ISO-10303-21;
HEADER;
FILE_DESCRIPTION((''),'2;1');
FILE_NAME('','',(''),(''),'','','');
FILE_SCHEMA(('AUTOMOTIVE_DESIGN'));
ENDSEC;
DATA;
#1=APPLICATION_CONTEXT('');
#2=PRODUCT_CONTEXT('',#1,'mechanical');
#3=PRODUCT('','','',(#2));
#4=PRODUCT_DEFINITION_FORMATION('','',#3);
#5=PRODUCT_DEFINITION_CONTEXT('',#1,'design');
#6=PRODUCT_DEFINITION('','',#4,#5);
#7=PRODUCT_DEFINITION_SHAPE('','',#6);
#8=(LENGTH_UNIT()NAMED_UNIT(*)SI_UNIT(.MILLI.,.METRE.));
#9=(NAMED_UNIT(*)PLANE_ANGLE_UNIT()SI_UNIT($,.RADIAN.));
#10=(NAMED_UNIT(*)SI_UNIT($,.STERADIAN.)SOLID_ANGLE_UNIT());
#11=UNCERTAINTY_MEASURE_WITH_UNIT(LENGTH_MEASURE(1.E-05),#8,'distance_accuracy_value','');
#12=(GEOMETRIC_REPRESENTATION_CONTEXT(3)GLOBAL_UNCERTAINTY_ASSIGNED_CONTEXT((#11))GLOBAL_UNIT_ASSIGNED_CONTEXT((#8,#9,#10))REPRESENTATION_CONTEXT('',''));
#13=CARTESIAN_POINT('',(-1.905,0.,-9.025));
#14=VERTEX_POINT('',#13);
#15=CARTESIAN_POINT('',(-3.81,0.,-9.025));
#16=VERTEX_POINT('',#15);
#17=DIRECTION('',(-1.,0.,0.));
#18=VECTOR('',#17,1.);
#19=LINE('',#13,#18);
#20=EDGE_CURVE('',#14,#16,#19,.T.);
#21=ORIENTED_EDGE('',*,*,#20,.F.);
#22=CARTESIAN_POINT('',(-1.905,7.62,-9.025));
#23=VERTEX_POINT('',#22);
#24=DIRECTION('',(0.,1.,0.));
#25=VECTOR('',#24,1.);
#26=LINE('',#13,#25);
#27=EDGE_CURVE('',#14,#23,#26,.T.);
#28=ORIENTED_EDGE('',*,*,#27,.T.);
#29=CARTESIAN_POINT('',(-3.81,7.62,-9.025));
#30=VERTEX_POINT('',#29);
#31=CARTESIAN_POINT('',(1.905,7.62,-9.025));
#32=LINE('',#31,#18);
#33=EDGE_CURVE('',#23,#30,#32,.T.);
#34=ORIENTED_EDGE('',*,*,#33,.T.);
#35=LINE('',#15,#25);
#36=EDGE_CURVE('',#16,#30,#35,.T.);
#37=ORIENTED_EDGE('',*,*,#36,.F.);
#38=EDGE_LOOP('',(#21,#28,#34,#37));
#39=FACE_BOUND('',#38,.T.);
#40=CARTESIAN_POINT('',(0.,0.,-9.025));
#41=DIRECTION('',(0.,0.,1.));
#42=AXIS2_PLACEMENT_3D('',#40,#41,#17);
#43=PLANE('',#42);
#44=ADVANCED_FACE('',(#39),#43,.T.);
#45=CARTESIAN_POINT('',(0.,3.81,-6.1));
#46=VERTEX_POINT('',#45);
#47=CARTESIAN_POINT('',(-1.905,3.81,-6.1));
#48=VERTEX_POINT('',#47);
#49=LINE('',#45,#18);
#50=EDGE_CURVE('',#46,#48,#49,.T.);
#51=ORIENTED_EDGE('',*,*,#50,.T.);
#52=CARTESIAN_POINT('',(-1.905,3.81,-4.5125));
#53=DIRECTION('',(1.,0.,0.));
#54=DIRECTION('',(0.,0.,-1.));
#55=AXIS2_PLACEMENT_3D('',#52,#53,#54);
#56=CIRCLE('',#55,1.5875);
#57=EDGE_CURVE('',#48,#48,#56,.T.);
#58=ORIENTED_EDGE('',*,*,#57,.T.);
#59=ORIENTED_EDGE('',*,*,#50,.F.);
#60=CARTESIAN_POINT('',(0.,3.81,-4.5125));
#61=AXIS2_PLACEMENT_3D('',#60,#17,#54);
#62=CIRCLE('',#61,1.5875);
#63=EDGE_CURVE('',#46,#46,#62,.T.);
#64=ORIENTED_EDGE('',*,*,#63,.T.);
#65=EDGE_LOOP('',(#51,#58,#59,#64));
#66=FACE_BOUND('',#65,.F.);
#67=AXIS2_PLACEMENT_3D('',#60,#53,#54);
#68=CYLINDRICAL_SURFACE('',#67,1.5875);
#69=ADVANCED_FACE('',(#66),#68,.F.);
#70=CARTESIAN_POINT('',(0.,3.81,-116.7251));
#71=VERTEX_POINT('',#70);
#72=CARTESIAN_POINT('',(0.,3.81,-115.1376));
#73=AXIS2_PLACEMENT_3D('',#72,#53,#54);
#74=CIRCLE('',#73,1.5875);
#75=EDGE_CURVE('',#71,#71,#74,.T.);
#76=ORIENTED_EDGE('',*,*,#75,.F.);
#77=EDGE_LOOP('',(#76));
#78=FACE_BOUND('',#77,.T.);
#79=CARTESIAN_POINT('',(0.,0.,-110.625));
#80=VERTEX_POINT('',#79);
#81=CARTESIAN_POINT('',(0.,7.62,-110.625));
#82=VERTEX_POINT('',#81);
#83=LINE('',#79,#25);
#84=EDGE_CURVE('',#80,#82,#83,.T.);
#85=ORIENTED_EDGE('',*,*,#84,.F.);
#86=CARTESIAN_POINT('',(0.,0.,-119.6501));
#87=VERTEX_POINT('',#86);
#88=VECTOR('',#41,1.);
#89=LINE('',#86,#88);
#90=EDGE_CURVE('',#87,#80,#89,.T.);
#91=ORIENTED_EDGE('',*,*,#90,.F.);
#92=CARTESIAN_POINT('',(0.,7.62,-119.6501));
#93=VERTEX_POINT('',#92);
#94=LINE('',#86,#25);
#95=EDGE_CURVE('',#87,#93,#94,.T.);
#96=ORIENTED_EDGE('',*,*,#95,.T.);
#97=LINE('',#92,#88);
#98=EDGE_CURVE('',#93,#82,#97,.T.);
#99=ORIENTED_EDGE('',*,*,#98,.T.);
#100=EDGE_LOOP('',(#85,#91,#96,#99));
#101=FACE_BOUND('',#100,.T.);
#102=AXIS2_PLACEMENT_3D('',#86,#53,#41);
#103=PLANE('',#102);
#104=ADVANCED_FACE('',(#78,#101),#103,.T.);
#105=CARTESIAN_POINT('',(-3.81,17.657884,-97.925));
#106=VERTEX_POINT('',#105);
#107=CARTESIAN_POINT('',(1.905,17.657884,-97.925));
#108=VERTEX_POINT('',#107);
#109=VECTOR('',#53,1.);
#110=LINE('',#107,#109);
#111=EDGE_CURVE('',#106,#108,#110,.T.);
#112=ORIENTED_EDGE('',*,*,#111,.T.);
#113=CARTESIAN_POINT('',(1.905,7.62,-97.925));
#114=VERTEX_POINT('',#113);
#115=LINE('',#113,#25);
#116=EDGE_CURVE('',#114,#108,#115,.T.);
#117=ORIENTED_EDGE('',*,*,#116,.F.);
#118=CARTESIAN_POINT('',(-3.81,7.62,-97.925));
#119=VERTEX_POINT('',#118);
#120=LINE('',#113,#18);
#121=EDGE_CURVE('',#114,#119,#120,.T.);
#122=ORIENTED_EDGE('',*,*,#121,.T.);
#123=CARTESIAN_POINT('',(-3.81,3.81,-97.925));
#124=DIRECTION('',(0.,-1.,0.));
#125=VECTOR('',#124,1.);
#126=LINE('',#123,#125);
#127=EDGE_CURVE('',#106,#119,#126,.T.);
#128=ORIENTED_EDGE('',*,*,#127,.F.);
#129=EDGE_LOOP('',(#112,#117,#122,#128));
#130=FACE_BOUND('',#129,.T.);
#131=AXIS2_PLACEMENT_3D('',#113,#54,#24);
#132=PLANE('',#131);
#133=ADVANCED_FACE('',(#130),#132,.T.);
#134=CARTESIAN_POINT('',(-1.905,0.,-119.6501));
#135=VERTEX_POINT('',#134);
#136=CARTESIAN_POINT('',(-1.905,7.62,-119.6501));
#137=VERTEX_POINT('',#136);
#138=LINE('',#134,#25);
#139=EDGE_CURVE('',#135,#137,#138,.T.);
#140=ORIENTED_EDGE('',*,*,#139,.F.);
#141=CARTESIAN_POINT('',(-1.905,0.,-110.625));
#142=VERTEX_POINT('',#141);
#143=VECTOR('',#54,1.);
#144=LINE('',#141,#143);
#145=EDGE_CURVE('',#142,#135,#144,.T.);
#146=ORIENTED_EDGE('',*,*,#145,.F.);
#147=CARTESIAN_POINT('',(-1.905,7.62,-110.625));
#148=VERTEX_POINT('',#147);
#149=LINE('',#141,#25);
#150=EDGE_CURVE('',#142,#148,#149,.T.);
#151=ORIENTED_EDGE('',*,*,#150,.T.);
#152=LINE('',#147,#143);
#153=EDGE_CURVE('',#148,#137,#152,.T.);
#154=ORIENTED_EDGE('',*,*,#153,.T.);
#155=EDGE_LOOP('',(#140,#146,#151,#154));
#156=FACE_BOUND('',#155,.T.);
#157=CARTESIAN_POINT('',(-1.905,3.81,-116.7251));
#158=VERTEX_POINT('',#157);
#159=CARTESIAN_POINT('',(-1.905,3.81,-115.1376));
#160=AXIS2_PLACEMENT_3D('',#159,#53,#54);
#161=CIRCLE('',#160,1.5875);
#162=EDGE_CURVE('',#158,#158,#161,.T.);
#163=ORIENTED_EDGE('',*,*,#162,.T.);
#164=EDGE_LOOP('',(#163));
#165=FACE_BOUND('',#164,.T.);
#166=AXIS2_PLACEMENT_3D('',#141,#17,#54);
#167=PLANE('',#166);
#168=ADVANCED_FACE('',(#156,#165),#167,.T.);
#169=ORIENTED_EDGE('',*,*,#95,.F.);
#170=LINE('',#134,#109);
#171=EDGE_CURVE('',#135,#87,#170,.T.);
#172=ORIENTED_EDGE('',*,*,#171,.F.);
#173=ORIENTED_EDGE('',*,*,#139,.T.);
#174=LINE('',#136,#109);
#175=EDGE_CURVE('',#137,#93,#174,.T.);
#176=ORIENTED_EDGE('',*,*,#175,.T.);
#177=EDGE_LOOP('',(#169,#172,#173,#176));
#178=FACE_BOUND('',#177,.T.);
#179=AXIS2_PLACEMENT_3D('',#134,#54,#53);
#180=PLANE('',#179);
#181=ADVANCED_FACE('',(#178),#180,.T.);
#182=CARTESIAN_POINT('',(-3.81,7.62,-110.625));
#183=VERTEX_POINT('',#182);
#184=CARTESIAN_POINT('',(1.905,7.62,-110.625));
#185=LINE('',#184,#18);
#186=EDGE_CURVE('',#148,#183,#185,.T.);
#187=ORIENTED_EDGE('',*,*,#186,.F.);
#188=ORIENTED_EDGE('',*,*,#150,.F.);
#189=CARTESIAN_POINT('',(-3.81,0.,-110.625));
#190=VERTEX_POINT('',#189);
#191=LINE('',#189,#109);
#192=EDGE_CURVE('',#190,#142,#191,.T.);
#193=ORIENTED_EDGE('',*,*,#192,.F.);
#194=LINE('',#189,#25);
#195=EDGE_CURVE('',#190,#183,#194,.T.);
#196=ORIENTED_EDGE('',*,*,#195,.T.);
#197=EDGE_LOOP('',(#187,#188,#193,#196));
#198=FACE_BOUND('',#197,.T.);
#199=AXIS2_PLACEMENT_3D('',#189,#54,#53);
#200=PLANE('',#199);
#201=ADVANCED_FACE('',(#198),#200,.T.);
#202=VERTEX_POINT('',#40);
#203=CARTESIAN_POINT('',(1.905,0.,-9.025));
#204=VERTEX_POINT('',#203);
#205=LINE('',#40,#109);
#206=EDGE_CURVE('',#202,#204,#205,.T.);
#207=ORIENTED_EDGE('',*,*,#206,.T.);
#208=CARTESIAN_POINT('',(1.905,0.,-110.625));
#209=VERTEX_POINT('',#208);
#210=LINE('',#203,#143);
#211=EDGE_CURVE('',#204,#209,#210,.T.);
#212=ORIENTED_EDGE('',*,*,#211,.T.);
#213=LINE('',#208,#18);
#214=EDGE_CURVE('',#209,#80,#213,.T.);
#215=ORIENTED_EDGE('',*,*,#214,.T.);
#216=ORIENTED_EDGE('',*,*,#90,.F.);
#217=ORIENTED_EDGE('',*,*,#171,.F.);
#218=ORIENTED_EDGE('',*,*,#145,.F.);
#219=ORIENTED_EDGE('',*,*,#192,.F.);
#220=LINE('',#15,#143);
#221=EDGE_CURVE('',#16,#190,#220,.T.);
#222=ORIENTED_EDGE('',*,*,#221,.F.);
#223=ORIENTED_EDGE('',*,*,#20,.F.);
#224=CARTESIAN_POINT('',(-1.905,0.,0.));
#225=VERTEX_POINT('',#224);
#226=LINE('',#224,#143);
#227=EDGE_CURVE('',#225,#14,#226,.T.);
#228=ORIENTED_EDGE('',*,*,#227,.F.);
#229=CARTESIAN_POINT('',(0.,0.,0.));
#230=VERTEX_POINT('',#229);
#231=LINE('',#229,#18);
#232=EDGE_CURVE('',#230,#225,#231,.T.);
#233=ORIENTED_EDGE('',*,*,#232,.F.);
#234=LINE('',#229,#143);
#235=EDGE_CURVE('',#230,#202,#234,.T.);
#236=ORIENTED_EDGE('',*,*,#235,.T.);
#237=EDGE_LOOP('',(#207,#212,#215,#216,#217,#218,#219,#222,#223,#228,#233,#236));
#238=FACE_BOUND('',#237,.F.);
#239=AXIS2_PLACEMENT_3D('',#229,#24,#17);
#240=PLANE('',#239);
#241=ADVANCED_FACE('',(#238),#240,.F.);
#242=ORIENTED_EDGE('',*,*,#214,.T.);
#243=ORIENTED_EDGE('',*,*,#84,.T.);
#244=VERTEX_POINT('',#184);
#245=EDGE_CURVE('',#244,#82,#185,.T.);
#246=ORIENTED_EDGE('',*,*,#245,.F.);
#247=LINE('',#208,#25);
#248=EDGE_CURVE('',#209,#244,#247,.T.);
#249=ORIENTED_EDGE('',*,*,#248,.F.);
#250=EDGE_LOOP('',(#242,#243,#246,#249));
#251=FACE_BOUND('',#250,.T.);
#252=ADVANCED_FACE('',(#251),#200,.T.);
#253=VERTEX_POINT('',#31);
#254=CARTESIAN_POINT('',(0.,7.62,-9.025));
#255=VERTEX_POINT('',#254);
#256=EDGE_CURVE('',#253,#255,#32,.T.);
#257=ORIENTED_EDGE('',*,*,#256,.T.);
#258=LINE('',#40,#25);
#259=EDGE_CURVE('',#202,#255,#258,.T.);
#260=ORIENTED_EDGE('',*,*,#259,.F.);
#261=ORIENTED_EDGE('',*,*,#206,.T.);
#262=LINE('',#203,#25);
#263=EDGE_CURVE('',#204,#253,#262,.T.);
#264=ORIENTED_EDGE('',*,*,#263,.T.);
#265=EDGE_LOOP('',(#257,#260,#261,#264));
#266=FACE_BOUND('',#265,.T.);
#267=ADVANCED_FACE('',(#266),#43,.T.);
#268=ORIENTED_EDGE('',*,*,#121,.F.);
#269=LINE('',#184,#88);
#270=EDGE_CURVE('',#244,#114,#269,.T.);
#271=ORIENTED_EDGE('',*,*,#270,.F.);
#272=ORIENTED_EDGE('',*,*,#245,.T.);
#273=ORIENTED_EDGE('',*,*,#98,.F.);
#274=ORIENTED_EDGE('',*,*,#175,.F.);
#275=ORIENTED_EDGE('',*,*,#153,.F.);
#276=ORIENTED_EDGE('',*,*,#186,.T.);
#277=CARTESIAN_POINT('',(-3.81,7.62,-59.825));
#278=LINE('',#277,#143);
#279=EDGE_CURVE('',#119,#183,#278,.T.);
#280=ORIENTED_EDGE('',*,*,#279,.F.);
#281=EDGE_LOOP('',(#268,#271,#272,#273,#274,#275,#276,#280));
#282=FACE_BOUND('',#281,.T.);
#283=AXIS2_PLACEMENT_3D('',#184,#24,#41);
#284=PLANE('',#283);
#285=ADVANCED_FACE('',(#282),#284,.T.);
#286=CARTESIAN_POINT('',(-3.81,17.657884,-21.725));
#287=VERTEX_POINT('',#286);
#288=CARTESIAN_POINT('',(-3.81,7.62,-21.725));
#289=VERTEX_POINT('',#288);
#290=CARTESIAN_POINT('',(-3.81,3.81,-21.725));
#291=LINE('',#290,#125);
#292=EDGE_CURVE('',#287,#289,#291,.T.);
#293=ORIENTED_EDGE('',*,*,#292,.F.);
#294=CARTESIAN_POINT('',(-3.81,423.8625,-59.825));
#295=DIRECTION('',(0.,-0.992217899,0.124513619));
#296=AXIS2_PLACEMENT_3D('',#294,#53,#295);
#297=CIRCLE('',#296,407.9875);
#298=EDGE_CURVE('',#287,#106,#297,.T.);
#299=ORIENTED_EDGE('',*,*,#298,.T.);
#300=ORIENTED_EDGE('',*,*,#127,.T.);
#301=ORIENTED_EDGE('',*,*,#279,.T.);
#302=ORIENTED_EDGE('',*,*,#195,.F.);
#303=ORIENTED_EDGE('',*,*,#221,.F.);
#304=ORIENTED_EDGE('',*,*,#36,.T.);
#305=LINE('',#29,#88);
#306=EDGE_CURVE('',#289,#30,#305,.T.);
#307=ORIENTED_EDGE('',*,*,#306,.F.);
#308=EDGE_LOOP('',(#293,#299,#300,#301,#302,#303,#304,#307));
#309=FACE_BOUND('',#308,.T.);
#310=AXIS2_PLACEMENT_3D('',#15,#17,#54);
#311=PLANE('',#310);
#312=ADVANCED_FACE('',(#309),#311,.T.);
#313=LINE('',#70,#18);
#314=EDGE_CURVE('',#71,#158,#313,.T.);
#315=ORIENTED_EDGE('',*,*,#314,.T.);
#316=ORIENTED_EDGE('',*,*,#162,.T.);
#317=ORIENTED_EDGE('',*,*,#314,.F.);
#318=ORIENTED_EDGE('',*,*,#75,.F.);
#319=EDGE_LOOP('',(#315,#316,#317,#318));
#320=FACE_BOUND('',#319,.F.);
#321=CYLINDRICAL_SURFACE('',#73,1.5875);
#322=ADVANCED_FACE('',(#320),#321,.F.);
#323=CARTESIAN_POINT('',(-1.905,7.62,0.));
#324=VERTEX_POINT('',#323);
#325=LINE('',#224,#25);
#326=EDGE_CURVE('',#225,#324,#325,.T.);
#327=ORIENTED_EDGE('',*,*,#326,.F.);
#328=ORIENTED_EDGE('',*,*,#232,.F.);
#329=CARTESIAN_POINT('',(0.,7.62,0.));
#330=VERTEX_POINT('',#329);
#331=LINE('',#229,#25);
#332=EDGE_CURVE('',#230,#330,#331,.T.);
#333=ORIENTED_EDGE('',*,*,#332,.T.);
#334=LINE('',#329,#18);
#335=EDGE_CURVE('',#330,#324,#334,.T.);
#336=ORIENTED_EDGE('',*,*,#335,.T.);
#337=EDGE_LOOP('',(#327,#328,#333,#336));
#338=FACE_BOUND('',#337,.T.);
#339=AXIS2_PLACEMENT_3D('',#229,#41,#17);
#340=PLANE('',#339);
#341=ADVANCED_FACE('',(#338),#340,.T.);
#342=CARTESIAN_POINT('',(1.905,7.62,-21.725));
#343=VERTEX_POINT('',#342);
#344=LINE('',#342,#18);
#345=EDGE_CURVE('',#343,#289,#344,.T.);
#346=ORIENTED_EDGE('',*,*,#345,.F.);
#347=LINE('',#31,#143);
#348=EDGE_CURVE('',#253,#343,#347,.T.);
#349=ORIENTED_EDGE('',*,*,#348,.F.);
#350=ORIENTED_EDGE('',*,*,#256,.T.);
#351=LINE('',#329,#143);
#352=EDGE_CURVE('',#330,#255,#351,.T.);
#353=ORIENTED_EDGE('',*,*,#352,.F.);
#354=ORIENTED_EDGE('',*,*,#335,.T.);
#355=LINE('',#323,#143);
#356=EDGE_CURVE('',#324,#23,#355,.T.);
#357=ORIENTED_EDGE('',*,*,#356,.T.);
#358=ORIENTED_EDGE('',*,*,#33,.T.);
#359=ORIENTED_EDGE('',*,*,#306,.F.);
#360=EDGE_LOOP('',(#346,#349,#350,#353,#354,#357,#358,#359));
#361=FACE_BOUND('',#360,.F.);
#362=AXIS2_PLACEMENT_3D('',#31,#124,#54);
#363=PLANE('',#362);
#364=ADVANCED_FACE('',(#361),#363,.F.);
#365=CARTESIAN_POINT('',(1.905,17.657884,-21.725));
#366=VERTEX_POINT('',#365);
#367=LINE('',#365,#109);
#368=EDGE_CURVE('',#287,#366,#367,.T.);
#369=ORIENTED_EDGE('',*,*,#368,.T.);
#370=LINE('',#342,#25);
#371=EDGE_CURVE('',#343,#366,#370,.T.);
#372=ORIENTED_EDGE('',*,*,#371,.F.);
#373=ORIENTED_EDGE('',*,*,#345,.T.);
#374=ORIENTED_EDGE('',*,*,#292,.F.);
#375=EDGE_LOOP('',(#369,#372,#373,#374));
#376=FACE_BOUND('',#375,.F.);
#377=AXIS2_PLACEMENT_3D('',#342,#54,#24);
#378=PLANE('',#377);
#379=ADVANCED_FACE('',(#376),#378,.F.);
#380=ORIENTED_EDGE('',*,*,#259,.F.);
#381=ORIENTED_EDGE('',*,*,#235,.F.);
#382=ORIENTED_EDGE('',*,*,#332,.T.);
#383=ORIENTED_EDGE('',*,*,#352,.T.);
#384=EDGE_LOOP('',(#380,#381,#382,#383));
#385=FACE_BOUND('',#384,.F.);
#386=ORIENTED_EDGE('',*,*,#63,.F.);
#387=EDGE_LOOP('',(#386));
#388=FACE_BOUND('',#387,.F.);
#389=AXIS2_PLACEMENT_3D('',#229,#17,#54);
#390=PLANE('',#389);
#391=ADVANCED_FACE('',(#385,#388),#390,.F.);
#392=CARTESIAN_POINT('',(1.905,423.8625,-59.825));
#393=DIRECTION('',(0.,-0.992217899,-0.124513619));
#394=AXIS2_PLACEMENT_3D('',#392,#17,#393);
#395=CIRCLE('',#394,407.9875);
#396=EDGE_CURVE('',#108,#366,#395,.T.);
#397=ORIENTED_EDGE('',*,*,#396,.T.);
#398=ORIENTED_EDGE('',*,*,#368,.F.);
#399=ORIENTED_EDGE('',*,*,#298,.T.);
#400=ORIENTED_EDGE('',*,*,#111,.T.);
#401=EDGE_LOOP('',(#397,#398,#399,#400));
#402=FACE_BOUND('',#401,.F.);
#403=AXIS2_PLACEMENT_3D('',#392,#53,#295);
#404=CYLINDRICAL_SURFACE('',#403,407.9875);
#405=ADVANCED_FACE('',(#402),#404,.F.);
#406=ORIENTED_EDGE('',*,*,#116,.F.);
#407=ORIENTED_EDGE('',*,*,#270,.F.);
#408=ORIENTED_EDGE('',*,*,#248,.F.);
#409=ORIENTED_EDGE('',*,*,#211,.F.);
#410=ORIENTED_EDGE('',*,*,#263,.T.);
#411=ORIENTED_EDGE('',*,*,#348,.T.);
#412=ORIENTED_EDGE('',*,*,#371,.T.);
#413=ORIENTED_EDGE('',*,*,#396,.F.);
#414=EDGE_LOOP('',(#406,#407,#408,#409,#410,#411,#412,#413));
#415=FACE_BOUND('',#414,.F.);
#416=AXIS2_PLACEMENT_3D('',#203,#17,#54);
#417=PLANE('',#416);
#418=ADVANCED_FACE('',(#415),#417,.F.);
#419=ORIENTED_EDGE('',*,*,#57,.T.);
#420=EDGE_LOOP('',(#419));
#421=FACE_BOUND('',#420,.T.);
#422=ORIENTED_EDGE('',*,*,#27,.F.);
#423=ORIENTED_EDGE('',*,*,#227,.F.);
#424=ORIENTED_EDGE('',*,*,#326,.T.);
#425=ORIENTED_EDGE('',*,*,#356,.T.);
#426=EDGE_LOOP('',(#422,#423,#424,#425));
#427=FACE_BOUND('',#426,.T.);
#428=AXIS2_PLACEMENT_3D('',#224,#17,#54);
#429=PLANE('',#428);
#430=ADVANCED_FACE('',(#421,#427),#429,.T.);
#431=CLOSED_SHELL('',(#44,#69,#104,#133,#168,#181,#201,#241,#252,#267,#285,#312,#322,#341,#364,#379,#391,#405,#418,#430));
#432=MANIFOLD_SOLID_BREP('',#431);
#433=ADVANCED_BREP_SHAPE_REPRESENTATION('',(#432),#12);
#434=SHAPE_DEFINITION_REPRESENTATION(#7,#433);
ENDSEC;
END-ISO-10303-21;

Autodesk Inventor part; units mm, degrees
ref_plane "YZ Plane" through (0, 0, 0) normal (1, 0, 0) x (0, 1, 0)
ref_plane "XZ Plane" through (0, 0, 0) normal (0, 1, 0) x (-1, 0, 0)
ref_plane "XY Plane" through (0, 0, 0) normal (0, 0, 1) x (1, 0, 0)
sketch "Sketch1" plane through (0, 0, 0) normal (0, 1, 0) x (-1, 0, 0)
  line L0 (0, 0) -> (1.905, 0)
  line L1 (1.905, -119.6501) -> (0, -119.6501)
  line L2 (0, 0) -> (0, -9.025)
  line L3 (0, 0) -> (9.025, 0) construction
  line L4 (0, -9.025) -> (1.905, -9.025)
  line L5 (0, -119.6501) -> (0, -110.625)
  line L6 (0, -110.625) -> (1.905, -110.625)
  line L7 (1.905, -9.025) -> (3.81, -9.025)
  line L8 (3.81, -9.025) -> (3.81, -110.625)
  line L9 (3.81, -110.625) -> (1.905, -110.625)
  line L10 (0, -9.025) -> (-1.905, -9.025)
  line L11 (-1.905, -9.025) -> (-1.905, -110.625)
  line L12 (-1.905, -110.625) -> (0, -110.625)
  line L13 (1.905, 0) -> (1.905, -9.025)
  line L14 (1.905, -110.625) -> (1.905, -119.6501)
  line L15 (0, -119.6501) -> (0, -110.625)
  line L16 (0, -9.025) -> (0, 0)
  dimension "d19" = 101.6
  dimension "d20" = 1.905
  dimension "d21" = 1.905
  dimension "d22" = 1.905
  dimension "d23" = 1.905
  dimension "d24" = 1.905
  dimension "d25" = 1.905
extrude "Extrusion1" add sketch "Sketch1" along normal blind 7.62 contours L0 L13 L4 L2 | L6 L14 L1 L5
extrude "Extrusion2" add sketch "Sketch1" along normal blind 19.05 contours L4 L7 L8 L9 L6 L12 L11 L10
sketch "Sketch2" plane through (0, 0, 0) normal (1, 0, 0) x (0, 0, -1)
  line L0 (9.025, 7.62) -> (0, 7.62) projected
  line L1 (4.5125, 7.62) -> (4.5125, 3.81)
  line L2 (0, 0) -> (0, 7.62) projected
  line L3 (9.025, 19.05) -> (110.625, 19.05) projected
  line L4 (59.825, 19.05) -> (59.825, 0)
  line L5 (9.025, 0) -> (110.625, 0) projected
  circle A0 centre (4.5125, 3.81) radius 1.5875
  circle A1 centre (115.1376, 3.81) radius 1.5875
  dimension "d12" = 3.175
extrude "Extrusion3" cut sketch "Sketch2" against normal blind 12.7
sketch "Sketch3" plane through (1.905, 0, -9.025) normal (1, 0, 0) x (0, 0, -1)
  line L0 (0, 19.05) -> (101.6, 19.05) projected
  line L1 (50.8, 19.05) -> (50.8, 15.875)
  arc A0 (0, 19.05) -> (101.6, 19.05) centre (50.8, 423.8625) ccw
  point P0 (-9.025, 0)
  dimension "d15" = 3.175
extrude "Extrusion4" cut sketch "Sketch3" against normal blind 12.7
fillet "Fillet1" radius 4.445 2 edges at (-0.9525, 19.05, -9.025) (-0.9525, 19.05, -110.625)
sketch "Sketch4" plane through (1.905, 0, -9.025) normal (1, 0, 0) x (0, 0, -1)
  line L0 (0, 0) -> (0, 7.62) projected
  line L1 (0, 7.62) -> (12.7, 7.62)
  line L2 (12.7, 7.62) -> (12.7, 20.32)
  line L3 (12.7, 20.32) -> (0, 20.32)
  line L4 (0, 20.32) -> (0, 7.62)
  line L5 (110.625, 7.62) -> (101.6, 7.62) projected
  line L6 (101.6, 7.62) -> (88.9, 7.62)
  line L7 (88.9, 7.62) -> (88.9, 20.32)
  line L8 (88.9, 20.32) -> (101.6, 20.32)
  line L9 (101.6, 20.32) -> (101.6, 7.62)
  point P0 (-9.025, 0)
  dimension "d26" = 12.7
  dimension "d27" = 12.7
  dimension "d28" = 12.7
  dimension "d29" = 12.7
extrude "Extrusion5" cut sketch "Sketch4" against normal blind 25.4
properties part number "FretBar"
